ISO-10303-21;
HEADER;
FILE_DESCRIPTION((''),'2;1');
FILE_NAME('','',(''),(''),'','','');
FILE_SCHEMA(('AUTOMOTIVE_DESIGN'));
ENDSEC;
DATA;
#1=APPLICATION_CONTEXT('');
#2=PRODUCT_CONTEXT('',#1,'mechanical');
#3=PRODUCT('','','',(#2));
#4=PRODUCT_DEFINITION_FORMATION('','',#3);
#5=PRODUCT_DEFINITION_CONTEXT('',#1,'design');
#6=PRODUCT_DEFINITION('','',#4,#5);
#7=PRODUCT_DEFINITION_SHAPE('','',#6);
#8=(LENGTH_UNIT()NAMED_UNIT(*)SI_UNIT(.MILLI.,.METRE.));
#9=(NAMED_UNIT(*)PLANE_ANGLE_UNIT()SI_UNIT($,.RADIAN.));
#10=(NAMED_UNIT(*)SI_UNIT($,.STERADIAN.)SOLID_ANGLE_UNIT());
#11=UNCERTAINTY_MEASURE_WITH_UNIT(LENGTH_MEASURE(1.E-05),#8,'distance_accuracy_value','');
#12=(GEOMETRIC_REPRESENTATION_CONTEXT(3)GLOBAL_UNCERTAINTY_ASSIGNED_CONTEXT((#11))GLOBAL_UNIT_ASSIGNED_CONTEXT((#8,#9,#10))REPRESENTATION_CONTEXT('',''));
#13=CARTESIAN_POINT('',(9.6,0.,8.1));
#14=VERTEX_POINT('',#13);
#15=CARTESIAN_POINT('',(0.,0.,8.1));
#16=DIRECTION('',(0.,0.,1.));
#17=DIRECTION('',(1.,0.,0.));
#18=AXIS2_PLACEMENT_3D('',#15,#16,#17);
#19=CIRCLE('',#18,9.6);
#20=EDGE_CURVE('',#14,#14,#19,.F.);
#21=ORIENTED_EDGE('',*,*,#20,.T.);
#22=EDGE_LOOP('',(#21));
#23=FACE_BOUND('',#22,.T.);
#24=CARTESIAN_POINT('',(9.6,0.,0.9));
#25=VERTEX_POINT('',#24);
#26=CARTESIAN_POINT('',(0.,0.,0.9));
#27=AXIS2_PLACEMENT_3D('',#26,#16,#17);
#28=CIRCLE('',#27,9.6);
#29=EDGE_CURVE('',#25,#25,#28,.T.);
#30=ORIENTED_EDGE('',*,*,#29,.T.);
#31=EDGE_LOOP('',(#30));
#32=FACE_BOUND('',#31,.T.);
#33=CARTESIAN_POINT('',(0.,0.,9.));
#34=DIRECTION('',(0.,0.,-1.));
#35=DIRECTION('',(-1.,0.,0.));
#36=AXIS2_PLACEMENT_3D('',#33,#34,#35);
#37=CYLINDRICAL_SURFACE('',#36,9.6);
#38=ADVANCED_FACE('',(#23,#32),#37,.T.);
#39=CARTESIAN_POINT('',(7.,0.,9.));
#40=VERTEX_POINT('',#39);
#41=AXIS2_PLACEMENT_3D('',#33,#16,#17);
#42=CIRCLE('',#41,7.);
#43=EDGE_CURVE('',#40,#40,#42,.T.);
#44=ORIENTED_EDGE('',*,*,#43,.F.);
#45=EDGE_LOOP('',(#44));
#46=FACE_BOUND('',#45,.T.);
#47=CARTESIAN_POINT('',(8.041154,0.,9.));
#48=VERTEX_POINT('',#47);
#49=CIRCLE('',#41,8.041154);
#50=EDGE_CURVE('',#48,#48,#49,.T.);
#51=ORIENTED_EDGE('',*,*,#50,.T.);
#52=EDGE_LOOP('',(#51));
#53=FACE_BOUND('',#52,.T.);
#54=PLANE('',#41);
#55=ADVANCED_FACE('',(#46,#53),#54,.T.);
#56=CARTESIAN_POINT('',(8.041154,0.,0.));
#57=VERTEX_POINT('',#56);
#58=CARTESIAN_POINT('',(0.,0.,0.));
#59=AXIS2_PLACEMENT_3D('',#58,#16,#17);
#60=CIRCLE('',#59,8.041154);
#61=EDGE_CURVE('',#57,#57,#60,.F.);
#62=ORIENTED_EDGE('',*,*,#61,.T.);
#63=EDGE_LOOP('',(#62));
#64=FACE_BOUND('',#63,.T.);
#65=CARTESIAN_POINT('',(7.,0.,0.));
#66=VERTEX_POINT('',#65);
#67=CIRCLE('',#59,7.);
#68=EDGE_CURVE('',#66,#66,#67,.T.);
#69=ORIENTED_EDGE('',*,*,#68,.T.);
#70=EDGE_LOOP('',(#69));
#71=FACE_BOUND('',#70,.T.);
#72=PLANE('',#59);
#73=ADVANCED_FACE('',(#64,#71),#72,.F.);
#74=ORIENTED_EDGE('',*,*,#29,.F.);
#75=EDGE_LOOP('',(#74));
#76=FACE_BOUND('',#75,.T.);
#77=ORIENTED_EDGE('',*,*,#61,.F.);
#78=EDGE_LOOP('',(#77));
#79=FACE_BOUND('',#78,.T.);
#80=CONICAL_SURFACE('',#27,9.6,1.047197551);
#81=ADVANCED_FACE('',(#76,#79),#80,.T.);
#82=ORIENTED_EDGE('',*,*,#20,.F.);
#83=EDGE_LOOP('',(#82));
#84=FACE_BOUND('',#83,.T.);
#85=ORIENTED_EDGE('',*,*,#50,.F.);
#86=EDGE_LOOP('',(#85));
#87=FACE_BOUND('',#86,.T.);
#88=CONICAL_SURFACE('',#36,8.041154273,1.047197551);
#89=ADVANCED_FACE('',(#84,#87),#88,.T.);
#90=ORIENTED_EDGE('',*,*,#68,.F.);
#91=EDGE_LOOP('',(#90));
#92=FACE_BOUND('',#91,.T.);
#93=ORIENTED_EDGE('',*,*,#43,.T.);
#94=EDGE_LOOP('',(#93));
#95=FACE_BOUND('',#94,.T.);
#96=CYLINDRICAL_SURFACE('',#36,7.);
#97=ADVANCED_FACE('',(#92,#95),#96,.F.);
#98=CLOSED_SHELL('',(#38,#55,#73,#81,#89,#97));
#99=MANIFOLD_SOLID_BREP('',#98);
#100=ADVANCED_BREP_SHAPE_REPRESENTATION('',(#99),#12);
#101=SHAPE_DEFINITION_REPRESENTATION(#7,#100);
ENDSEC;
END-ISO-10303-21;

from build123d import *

# Parameters (mm, degrees)
ESQUISSE1_R        = 9.6
ESQUISSE1_R_2      = 7
BOSS_EXTRU_1_DEPTH = 9
CHANFREIN5_SIZE    = 0.9
CHANFREIN5_SIZE2   = 1.558845727
CHANFREIN9_SIZE    = 0.9
CHANFREIN9_SIZE2   = 1.558845727


with BuildPart() as part:
    # Esquisse1 → Boss.-Extru.1 (new body)
    with BuildSketch(Plane.XY):
        Circle(ESQUISSE1_R)
        Circle(ESQUISSE1_R_2, mode=Mode.SUBTRACT)
    extrude(amount=BOSS_EXTRU_1_DEPTH)

    # Chanfrein5
    chanfrein5_edges = [part.edges().sort_by_distance(p)[0] for p in [
        (-9.6, 0, 9),
    ]]
    chanfrein5_side = [part.faces().sort_by_distance(p)[0] for p in [
        (-9.6, 0, 4.5),
    ]]
    chamfer(chanfrein5_edges, length=CHANFREIN5_SIZE, length2=CHANFREIN5_SIZE2, reference=chanfrein5_side[0])

    # Chanfrein9
    chanfrein9_edges = [part.edges().sort_by_distance(p)[0] for p in [
        (-9.6, 0, 0),
    ]]
    chanfrein9_side = [part.faces().sort_by_distance(p)[0] for p in [
        (-9.6, 0, 4.05),
    ]]
    chamfer(chanfrein9_edges, length=CHANFREIN9_SIZE, length2=CHANFREIN9_SIZE2, reference=chanfrein9_side[0])


solid = part.part
